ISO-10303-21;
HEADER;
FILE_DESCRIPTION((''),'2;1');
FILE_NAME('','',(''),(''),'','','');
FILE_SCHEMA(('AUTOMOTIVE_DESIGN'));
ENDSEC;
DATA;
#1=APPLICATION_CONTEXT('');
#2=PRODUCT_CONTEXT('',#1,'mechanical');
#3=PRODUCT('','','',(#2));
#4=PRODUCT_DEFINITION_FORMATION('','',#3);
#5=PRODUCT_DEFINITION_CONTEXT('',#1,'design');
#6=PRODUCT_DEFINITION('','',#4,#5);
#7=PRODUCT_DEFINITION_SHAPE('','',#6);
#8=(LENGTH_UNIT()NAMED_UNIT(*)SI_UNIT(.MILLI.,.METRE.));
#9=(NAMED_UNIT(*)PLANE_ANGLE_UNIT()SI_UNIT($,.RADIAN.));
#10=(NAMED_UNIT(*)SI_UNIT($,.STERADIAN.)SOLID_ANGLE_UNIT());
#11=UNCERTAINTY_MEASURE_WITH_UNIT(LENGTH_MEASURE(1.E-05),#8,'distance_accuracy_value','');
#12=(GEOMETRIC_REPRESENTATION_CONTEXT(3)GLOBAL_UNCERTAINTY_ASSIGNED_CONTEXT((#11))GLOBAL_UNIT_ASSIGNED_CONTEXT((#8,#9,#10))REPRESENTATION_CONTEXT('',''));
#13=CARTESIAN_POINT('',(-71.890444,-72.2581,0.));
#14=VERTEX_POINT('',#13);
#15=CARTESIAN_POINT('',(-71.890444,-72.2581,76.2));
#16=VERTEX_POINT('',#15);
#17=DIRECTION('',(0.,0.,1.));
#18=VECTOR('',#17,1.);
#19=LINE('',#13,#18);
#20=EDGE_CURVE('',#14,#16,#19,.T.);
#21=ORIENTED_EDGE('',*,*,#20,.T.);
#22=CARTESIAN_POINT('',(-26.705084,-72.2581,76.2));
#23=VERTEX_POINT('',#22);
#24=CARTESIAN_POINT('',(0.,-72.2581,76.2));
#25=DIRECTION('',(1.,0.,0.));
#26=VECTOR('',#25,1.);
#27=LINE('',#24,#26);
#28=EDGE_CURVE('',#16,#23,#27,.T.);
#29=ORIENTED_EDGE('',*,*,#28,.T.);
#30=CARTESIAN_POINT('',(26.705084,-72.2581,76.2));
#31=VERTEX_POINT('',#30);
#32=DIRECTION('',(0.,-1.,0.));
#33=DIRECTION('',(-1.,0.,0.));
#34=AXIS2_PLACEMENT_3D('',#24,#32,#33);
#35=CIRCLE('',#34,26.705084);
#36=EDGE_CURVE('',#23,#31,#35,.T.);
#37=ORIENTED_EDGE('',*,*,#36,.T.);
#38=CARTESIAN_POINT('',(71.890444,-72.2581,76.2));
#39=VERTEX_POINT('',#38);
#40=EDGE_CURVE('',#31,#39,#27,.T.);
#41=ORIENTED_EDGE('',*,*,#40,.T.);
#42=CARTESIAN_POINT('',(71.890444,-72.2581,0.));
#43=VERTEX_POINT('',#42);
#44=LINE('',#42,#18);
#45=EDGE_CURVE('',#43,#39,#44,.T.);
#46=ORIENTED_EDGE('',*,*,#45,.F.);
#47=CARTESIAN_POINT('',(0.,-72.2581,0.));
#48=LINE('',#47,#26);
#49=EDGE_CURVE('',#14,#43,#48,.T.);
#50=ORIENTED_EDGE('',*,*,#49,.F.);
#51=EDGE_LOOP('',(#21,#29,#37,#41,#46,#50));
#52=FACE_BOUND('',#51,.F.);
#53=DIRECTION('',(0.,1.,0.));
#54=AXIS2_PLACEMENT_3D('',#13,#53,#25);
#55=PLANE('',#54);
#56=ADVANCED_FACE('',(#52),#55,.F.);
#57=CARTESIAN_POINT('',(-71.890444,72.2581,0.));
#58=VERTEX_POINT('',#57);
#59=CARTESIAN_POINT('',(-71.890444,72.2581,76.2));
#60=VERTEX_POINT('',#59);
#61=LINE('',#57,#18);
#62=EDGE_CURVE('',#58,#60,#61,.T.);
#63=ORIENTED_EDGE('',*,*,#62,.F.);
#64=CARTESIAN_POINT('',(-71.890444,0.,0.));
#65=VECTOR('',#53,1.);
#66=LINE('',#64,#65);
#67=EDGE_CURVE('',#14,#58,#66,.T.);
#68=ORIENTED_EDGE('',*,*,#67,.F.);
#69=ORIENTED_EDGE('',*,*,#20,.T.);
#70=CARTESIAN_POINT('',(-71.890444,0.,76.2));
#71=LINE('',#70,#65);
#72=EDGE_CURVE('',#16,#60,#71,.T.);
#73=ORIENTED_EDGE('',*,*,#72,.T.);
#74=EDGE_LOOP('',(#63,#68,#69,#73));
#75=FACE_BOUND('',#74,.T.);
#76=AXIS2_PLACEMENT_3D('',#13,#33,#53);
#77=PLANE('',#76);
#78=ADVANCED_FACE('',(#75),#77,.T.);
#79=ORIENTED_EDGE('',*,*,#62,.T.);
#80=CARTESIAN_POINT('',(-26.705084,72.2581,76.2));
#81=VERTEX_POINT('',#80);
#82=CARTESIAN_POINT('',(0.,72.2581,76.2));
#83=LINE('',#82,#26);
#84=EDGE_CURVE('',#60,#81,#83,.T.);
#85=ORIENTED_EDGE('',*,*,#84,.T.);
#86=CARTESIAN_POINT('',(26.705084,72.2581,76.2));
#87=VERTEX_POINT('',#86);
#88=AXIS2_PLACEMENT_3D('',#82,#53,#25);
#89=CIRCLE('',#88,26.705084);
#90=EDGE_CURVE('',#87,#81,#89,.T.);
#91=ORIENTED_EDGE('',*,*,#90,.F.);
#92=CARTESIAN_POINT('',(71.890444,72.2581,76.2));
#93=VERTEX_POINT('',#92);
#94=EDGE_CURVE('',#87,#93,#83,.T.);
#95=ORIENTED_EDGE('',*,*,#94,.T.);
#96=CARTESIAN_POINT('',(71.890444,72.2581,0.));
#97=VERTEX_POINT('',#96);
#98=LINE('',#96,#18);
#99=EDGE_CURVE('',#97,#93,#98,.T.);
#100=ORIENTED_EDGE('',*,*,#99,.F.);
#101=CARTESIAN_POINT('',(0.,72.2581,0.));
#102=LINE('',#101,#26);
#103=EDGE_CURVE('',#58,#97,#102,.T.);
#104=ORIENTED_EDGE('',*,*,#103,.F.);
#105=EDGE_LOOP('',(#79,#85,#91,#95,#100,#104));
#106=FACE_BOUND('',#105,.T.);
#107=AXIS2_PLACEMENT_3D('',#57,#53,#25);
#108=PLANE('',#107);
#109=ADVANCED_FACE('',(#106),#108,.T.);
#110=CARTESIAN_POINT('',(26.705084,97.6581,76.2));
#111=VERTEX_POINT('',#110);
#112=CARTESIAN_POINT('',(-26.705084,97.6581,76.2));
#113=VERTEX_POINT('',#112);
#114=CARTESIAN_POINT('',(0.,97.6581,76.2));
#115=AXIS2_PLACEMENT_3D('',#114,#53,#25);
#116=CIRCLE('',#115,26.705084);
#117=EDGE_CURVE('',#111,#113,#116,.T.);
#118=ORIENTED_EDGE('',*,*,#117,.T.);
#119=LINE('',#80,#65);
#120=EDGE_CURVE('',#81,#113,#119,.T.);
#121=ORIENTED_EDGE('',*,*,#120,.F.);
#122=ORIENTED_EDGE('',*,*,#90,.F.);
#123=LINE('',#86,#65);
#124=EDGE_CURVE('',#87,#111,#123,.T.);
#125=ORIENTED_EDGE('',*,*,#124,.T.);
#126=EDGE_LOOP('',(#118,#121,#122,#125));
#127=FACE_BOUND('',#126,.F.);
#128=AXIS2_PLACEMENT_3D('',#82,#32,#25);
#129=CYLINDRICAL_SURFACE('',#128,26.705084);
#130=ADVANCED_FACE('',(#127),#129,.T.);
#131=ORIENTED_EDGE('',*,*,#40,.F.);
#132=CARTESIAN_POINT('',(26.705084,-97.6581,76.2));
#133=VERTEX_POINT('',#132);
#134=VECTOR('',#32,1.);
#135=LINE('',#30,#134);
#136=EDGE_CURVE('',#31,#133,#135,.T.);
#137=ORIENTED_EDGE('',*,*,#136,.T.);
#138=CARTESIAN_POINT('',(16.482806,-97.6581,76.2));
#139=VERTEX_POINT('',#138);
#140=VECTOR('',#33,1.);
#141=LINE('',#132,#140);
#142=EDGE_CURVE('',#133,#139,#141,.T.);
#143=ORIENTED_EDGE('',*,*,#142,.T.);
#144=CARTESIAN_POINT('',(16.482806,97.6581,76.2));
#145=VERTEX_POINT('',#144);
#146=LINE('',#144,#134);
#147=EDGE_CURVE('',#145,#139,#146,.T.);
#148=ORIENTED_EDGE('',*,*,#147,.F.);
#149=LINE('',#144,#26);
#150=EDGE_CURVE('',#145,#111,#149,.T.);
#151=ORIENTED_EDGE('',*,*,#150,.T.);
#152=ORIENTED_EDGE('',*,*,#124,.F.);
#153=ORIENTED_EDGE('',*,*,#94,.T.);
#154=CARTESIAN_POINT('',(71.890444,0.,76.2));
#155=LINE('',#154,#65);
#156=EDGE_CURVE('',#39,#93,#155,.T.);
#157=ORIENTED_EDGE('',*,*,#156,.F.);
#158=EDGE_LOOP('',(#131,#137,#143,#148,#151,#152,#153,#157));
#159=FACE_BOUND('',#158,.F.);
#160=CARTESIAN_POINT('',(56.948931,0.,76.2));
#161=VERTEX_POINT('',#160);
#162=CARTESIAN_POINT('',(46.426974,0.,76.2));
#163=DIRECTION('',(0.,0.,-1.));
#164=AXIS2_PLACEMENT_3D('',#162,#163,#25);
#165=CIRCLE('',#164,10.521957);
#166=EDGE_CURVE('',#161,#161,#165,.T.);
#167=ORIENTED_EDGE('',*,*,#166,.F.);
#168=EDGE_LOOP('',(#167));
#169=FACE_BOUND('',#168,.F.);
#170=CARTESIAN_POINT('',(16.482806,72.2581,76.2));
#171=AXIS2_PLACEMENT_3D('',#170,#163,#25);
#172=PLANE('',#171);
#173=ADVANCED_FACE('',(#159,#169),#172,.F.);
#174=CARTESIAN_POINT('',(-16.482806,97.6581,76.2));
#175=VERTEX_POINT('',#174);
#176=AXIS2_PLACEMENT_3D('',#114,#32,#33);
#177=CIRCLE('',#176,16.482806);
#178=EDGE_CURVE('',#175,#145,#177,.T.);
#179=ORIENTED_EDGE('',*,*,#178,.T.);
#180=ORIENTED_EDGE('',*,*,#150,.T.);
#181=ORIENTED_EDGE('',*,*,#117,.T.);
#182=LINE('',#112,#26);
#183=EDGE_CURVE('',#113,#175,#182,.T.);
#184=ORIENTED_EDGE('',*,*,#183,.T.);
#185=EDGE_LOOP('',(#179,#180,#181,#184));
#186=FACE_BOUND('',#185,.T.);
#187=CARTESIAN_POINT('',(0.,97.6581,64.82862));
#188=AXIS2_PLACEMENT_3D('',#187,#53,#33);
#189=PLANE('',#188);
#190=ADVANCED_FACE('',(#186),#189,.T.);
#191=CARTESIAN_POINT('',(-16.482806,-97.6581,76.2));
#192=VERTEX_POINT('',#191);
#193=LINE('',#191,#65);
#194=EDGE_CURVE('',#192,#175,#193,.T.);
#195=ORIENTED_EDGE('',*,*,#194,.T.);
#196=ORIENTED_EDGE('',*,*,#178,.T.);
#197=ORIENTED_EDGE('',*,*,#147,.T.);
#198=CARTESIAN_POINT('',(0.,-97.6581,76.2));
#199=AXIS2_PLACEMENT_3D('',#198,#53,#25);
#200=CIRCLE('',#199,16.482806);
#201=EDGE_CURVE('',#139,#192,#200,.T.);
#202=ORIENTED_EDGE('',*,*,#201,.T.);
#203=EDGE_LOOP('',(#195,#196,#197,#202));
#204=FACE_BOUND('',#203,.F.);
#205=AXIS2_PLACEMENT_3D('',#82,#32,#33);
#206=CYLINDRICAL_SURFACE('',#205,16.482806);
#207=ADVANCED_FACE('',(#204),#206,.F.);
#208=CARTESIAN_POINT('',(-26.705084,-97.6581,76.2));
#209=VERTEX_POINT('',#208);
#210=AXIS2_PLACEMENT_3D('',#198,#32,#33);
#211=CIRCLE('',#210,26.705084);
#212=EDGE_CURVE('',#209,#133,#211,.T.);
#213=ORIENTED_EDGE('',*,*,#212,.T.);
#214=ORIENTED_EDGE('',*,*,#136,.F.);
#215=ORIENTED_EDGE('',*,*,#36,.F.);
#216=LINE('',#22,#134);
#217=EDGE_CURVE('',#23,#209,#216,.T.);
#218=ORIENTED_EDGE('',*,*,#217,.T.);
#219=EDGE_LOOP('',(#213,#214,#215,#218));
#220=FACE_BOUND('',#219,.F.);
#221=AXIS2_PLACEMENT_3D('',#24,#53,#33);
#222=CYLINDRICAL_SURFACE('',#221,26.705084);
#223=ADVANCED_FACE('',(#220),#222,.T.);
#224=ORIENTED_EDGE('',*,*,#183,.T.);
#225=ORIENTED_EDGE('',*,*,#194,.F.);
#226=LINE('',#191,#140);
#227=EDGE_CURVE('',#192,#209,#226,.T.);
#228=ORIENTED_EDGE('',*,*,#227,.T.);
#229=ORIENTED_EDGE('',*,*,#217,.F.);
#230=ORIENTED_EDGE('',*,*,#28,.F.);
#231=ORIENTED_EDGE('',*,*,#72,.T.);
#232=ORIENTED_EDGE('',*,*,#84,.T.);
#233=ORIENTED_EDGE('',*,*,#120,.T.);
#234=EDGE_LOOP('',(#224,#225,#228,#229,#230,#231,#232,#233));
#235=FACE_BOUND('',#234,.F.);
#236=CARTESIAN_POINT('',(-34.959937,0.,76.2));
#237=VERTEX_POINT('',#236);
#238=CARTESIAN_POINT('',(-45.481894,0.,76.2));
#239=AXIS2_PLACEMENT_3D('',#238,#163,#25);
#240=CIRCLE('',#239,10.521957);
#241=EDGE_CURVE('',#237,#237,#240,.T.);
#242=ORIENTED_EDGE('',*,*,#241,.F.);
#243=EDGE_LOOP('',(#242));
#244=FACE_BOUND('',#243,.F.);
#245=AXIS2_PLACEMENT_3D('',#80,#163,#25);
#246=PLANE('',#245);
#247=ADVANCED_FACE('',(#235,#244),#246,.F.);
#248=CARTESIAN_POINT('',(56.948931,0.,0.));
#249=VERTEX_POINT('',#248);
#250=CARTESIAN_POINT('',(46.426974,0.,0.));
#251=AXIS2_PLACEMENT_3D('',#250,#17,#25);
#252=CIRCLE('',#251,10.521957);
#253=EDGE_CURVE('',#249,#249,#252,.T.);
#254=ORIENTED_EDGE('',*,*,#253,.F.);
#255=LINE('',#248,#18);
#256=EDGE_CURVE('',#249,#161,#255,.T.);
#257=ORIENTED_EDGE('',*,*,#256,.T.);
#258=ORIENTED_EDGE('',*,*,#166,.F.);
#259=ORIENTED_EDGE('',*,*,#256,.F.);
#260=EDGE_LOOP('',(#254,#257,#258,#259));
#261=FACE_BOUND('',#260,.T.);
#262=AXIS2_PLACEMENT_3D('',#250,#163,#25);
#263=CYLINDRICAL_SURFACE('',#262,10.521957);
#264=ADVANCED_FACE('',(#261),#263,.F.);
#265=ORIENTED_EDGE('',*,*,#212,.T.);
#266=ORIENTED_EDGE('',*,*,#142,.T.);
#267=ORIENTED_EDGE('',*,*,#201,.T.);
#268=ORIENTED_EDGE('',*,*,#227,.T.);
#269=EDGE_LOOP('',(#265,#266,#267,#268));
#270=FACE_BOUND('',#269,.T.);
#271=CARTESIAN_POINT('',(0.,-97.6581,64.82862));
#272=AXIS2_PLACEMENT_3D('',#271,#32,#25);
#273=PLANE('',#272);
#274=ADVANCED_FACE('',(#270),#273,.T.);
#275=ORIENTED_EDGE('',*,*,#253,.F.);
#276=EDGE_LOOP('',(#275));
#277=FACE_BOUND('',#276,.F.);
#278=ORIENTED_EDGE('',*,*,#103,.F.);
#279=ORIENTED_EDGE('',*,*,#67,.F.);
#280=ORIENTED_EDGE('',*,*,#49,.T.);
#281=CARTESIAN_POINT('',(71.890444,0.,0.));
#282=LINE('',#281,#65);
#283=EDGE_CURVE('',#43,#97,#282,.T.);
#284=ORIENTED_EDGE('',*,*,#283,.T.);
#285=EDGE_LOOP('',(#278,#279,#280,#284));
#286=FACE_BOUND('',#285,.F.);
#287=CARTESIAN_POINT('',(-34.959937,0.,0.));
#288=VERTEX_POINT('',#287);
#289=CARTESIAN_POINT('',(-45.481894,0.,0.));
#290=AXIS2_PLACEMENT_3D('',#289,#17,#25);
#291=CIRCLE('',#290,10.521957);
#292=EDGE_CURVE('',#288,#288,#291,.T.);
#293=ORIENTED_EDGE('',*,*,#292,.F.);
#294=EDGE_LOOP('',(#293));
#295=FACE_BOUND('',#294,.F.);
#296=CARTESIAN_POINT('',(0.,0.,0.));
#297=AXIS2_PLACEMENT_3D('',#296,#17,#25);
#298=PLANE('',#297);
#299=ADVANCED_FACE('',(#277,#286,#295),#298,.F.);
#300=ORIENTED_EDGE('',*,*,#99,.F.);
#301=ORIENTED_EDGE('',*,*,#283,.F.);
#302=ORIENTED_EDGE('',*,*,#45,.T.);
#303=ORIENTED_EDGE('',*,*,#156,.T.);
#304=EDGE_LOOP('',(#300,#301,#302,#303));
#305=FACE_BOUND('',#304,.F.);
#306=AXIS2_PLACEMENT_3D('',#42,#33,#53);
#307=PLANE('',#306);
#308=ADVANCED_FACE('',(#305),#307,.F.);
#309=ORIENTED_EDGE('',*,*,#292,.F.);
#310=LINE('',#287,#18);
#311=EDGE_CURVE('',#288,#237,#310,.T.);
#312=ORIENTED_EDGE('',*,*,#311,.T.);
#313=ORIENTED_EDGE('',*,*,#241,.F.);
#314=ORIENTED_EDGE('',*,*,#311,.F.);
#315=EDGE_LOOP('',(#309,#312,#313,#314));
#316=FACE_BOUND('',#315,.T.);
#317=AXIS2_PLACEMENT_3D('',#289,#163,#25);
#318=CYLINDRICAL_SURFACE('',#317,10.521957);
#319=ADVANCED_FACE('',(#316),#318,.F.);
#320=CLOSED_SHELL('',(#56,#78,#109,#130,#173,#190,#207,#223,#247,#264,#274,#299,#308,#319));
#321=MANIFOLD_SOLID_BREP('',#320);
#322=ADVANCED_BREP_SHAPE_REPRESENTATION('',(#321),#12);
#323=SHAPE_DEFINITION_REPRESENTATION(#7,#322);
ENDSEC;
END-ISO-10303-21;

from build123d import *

# Parameters (mm, degrees)
F0_W     = 143.7808871269
F0_H     = 144.5161998272
F1_DEPTH = 76.2
F3_DEPTH = 144.5171998272
F5_DEPTH = 25.4
F7_DEPTH = 25.4
F8_R     = 10.5219569488
F9_DEPTH = 101.6


with BuildPart() as f1:
    # F0 (on Top) → F1 (new body)
    with BuildSketch(Plane.XY):
        Rectangle(F0_W, F0_H)
    extrude(amount=F1_DEPTH)

    # F2 (on face) → F3 (cut, through all)
    with BuildSketch(Plane.XZ.offset(72.2580999136)):
        with BuildLine():
            ThreePointArc((-16.4828058332, 76.2), (0, 59.7171941668), (16.4828058332, 76.2))
            Line((16.4828058332, 76.2), (-16.4828058332, 76.2))
        make_face()
    extrude(amount=-F3_DEPTH, mode=Mode.SUBTRACT)

    # F4 (on face) → F5 (join)
    with BuildSketch(Plane.XZ.offset(72.2580999136)):
        with BuildLine():
            Line((-16.4828058332, 76.2), (-26.7050843686, 76.2))
            ThreePointArc((-26.7050843686, 76.2), (0, 49.4949156314), (26.7050843686, 76.2))
            Line((26.7050843686, 76.2), (16.4828058332, 76.2))
            ThreePointArc((16.4828058332, 76.2), (0, 59.7171941668), (-16.4828058332, 76.2))
        make_face()
    extrude(amount=F5_DEPTH)

    # F6 (on face) → F7 (join)
    with BuildSketch(Plane(origin=(0, 72.2580999136, 0), x_dir=(-1, 0, 0), z_dir=(0, 1, 0))):
        with BuildLine():
            ThreePointArc((-26.7050843686, 76.2), (0, 49.4949156314), (26.7050843686, 76.2))
            Line((26.7050843686, 76.2), (16.4828058332, 76.2))
            ThreePointArc((16.4828058332, 76.2), (0, 59.7171941668), (-16.4828058332, 76.2))
            Line((-16.4828058332, 76.2), (-26.7050843686, 76.2))
        make_face()
    extrude(amount=F7_DEPTH)

    # F8 (on Top) → F9 (cut)
    with BuildSketch(Plane.XY):
        with Locations((46.426974237, 0)):
            Circle(F8_R)
        with Locations((-45.4818941653, 0)):
            Circle(F8_R)
    extrude(amount=F9_DEPTH, mode=Mode.SUBTRACT)


solid = f1.part
